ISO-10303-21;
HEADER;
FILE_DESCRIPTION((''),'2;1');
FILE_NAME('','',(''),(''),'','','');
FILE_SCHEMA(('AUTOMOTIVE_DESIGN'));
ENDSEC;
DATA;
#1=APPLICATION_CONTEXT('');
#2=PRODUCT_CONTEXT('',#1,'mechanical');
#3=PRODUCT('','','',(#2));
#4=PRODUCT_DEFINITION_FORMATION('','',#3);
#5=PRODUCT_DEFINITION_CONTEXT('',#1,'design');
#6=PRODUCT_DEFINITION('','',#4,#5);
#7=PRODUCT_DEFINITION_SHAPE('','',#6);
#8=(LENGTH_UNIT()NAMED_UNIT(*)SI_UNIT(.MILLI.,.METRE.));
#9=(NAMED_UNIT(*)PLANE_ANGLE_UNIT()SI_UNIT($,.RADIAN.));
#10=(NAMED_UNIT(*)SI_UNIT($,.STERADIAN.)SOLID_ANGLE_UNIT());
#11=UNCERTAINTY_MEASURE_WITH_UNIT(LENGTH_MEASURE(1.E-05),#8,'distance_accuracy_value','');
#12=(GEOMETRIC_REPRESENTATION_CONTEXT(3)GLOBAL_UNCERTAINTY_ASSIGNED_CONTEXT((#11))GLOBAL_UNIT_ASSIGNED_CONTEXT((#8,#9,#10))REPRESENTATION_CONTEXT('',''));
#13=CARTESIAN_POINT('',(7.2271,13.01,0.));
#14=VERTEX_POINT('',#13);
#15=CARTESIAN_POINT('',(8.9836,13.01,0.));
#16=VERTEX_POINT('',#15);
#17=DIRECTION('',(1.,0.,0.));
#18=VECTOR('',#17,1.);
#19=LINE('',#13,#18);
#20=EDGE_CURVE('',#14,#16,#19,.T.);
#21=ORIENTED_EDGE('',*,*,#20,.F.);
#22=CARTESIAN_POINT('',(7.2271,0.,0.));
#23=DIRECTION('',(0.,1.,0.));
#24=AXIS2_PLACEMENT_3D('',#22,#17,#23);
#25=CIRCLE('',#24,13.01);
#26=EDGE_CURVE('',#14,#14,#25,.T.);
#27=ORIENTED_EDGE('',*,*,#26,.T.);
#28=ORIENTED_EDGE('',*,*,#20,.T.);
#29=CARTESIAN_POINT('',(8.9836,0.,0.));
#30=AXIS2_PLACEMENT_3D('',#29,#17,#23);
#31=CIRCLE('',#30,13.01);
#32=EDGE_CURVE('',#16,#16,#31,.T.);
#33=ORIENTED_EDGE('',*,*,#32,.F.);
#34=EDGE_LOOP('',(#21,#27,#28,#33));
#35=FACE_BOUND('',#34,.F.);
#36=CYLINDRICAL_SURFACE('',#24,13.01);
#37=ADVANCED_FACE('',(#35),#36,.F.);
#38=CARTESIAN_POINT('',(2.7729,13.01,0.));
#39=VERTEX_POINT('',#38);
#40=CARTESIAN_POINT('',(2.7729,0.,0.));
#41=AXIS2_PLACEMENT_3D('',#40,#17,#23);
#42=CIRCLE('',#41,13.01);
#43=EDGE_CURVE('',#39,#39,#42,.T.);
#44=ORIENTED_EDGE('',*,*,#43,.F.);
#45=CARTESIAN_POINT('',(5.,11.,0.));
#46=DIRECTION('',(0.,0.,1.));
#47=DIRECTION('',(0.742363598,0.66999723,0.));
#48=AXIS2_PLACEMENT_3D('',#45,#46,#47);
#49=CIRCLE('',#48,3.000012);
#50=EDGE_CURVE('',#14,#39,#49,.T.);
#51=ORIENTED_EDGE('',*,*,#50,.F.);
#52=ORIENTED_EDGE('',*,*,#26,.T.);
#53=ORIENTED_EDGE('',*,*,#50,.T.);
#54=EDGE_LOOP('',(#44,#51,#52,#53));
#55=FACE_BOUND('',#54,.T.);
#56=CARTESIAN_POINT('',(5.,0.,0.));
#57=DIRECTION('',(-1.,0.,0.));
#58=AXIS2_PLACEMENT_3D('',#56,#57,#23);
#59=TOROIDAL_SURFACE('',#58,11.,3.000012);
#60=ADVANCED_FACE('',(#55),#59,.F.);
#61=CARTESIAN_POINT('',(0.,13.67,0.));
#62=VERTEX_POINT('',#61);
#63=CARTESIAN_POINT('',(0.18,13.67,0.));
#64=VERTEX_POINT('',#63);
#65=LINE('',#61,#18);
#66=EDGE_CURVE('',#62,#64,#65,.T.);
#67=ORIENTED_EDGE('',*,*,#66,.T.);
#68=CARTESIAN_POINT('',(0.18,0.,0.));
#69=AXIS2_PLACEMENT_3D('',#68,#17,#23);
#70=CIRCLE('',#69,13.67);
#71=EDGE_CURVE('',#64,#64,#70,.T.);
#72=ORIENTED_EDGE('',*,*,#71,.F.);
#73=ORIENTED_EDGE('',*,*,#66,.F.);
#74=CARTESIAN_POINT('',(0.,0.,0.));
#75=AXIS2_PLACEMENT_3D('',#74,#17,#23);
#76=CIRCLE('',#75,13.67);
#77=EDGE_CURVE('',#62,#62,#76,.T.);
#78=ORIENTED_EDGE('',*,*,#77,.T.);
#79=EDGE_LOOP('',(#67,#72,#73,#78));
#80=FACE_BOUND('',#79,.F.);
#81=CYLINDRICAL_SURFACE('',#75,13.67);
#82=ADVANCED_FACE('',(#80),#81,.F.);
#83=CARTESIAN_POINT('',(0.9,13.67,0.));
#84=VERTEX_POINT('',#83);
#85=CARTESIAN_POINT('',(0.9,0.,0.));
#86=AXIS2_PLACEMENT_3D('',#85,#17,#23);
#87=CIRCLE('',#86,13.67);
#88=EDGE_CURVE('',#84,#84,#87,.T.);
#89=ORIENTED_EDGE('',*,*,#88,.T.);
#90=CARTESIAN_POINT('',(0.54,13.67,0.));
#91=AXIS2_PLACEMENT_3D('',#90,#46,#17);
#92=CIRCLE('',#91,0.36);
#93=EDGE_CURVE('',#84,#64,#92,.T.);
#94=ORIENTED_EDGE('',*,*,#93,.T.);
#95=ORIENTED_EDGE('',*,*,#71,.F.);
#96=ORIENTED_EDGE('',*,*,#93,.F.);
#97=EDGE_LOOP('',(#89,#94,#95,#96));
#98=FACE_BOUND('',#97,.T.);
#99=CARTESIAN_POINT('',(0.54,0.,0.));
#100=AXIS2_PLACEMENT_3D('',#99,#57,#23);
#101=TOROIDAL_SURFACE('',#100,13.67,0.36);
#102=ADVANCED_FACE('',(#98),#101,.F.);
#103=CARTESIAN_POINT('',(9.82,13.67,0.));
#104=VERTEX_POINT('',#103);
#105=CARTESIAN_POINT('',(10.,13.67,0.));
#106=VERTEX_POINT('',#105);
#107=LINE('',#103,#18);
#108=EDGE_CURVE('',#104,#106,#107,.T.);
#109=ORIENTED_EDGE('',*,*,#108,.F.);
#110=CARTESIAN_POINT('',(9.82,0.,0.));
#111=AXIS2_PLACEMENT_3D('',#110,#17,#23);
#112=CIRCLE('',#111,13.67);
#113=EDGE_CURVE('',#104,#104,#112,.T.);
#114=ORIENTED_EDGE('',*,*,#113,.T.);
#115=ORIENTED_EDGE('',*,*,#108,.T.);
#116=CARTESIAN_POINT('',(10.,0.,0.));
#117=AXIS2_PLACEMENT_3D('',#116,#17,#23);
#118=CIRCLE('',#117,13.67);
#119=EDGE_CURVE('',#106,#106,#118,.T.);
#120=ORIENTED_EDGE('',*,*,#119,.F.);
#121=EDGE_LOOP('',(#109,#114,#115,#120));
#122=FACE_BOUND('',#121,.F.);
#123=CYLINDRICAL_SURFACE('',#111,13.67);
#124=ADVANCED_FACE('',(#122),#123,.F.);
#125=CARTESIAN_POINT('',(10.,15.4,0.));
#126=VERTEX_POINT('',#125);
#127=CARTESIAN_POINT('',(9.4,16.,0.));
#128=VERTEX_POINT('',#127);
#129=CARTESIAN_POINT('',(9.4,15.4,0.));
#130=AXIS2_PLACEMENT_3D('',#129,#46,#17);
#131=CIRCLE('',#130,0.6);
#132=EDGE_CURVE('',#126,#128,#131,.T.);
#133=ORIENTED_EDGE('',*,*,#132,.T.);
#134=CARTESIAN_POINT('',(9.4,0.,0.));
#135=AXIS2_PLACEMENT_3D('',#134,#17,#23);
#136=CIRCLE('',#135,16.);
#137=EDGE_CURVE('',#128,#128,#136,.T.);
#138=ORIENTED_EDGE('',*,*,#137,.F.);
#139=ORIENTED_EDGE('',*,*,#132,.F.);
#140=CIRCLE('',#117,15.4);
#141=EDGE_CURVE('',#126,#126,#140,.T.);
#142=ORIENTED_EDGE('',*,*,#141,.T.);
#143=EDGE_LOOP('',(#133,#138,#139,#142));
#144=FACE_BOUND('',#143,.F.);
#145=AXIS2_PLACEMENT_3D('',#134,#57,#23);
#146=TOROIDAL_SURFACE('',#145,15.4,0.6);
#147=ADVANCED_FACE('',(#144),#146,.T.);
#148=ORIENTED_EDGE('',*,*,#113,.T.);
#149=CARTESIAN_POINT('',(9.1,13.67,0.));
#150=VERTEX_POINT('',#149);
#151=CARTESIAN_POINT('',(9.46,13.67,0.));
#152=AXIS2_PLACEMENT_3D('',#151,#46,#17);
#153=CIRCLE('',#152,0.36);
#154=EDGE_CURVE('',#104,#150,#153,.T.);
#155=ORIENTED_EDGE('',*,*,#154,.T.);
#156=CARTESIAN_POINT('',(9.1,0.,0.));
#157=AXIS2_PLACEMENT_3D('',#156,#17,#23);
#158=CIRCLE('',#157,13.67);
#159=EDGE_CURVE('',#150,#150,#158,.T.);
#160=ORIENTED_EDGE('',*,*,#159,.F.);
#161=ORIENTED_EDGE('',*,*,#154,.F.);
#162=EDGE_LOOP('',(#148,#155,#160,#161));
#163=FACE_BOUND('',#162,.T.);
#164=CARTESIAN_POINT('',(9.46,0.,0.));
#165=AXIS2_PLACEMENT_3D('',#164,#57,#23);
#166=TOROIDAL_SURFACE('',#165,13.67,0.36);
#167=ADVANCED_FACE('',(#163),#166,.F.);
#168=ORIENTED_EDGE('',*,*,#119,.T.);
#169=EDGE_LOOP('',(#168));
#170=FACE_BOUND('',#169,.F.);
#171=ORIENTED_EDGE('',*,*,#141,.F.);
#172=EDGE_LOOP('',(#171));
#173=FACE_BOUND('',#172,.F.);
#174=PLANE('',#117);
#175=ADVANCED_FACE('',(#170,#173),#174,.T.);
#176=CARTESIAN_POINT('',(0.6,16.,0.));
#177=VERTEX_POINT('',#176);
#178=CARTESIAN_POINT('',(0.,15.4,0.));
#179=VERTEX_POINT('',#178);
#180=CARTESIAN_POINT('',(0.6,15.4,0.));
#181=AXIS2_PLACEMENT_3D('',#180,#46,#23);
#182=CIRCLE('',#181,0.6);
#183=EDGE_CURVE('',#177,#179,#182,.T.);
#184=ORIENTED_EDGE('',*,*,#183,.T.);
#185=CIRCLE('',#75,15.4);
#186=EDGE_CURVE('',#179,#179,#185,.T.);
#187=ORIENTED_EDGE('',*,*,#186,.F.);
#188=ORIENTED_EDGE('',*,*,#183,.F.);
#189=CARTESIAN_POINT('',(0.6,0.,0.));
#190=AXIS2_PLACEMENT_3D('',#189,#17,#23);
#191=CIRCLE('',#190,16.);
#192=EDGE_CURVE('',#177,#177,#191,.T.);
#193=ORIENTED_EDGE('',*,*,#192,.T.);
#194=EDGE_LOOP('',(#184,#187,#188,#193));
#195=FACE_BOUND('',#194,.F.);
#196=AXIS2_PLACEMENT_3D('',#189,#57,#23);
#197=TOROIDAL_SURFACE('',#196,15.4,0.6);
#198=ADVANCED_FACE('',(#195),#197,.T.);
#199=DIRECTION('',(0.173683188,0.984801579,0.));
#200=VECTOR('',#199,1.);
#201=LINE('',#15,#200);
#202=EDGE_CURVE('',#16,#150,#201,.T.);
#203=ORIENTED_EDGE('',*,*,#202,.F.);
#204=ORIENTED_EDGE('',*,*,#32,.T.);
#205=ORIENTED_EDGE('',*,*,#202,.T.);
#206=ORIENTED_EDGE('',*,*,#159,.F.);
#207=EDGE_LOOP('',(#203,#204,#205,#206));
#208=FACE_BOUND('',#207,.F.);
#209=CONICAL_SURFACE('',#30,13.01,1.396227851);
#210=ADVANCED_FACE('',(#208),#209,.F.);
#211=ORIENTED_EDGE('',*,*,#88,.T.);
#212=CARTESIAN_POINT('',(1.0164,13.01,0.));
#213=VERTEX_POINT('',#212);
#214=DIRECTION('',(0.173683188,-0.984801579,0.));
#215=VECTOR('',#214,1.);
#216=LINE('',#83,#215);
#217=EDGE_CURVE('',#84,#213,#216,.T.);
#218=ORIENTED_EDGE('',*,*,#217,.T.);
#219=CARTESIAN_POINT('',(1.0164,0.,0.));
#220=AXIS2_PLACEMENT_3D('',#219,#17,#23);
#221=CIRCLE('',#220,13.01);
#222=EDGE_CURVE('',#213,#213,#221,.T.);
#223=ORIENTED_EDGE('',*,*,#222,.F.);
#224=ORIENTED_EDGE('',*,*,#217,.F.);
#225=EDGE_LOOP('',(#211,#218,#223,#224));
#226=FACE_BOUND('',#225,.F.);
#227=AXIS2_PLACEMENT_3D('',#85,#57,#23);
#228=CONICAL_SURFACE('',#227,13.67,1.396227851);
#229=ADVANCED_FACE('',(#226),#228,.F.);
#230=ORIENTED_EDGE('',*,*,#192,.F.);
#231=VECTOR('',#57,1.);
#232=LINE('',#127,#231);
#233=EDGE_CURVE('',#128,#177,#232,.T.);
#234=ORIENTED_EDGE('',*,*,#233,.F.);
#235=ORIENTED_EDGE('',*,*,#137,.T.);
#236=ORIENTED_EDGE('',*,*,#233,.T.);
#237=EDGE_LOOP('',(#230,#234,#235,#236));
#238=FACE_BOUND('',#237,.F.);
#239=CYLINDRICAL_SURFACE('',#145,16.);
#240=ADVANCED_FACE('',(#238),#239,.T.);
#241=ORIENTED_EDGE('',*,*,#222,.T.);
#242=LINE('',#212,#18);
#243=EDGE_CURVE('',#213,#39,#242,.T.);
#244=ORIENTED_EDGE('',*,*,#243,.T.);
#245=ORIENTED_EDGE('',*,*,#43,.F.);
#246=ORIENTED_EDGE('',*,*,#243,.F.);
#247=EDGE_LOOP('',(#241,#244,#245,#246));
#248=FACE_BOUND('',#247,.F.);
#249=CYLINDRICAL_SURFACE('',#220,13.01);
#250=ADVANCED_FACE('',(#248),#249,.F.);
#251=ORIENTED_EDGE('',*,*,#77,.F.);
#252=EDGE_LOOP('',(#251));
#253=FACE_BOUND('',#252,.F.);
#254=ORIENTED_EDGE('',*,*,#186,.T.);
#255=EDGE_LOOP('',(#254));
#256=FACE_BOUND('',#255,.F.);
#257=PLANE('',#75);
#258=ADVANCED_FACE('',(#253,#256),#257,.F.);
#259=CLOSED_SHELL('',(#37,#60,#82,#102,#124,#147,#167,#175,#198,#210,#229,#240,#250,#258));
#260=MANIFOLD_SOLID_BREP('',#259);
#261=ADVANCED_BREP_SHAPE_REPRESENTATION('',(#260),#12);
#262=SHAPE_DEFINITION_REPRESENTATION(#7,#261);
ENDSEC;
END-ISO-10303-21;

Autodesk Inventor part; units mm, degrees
ref_plane "YZ Plane" through (0, 0, 0) normal (1, 0, 0) x (0, 1, 0)
ref_plane "XZ Plane" through (0, 0, 0) normal (0, 1, 0) x (-1, 0, 0)
ref_plane "XY Plane" through (0, 0, 0) normal (0, 0, 1) x (1, 0, 0)
sketch "Sketch_17" plane through (0, 0, 0) normal (0, 0, 1) x (1, 0, 0)
  line L0 (50, 0) -> (-50, 0)
  line L1 (0, 15.4) -> (0, 13.67)
  line L2 (0, 13.67) -> (0.18, 13.67)
  arc A0 (0.9, 13.67) -> (0.18, 13.67) centre (0.54, 13.67) ccw
  line L3 (0.9, 13.67) -> (1.0164, 13.01)
  line L4 (1.0164, 13.01) -> (2.7729, 13.01)
  arc A1 (7.2271, 13.01) -> (2.7729, 13.01) centre (5, 11) ccw
  line L5 (7.2271, 13.01) -> (8.9836, 13.01)
  line L6 (8.9836, 13.01) -> (9.1, 13.67)
  arc A2 (9.82, 13.67) -> (9.1, 13.67) centre (9.46, 13.67) ccw
  line L7 (9.82, 13.67) -> (10, 13.67)
  line L8 (10, 13.67) -> (10, 15.4)
  arc A3 (10, 15.4) -> (9.4, 16) centre (9.4, 15.4) ccw
  line L9 (9.4, 16) -> (0.6, 16)
  arc A4 (0.6, 16) -> (0, 15.4) centre (0.6, 15.4) ccw
revolve "Revolution1" add sketch "Sketch_17" angle 360 about axis through (50, 0, 0) along (1, 0, 0)
properties part number "6201-2Z_PART2"
